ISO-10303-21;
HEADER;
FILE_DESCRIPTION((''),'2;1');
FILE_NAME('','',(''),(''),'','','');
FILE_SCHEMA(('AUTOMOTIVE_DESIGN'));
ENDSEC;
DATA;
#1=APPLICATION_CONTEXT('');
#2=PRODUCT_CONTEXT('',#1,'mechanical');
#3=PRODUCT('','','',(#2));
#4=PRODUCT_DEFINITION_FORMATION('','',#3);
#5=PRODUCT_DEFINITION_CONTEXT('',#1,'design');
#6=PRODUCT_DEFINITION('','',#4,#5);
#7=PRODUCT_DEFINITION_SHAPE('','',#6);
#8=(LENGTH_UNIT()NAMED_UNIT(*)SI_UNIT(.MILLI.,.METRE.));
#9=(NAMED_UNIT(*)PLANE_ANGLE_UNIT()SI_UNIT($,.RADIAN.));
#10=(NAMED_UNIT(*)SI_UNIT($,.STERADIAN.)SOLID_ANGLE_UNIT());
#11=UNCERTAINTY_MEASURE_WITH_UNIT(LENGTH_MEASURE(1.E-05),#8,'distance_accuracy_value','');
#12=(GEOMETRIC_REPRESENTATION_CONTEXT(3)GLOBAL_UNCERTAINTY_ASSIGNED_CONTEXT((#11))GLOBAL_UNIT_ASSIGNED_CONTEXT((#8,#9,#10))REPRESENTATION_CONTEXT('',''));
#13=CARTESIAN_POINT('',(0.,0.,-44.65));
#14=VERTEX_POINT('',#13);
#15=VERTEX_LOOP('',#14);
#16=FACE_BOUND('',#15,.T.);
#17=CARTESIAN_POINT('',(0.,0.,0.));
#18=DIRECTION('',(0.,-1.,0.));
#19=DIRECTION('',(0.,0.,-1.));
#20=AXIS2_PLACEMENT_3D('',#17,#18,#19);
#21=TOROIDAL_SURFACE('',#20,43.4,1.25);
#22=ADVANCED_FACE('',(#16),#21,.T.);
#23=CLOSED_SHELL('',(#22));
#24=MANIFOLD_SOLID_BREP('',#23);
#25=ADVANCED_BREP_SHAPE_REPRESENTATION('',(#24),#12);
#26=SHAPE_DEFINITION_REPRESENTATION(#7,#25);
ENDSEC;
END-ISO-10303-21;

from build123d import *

# Parameters (mm, degrees)
SKETCH1_R = 1.25


with BuildPart() as part:
    # Sketch1 → Revolve1 (revolve)
    with BuildSketch(Plane.XY, mode=Mode.PRIVATE) as revolve1_sk:
        with Locations((-43.4, 0)):
            Circle(SKETCH1_R)
    revolve(revolve1_sk.sketch.rotate(Axis((0, 0, 0), (0, 1, 0)), 270), axis=Axis((0, 0, 0), (0, 1, 0)))


solid = part.part
